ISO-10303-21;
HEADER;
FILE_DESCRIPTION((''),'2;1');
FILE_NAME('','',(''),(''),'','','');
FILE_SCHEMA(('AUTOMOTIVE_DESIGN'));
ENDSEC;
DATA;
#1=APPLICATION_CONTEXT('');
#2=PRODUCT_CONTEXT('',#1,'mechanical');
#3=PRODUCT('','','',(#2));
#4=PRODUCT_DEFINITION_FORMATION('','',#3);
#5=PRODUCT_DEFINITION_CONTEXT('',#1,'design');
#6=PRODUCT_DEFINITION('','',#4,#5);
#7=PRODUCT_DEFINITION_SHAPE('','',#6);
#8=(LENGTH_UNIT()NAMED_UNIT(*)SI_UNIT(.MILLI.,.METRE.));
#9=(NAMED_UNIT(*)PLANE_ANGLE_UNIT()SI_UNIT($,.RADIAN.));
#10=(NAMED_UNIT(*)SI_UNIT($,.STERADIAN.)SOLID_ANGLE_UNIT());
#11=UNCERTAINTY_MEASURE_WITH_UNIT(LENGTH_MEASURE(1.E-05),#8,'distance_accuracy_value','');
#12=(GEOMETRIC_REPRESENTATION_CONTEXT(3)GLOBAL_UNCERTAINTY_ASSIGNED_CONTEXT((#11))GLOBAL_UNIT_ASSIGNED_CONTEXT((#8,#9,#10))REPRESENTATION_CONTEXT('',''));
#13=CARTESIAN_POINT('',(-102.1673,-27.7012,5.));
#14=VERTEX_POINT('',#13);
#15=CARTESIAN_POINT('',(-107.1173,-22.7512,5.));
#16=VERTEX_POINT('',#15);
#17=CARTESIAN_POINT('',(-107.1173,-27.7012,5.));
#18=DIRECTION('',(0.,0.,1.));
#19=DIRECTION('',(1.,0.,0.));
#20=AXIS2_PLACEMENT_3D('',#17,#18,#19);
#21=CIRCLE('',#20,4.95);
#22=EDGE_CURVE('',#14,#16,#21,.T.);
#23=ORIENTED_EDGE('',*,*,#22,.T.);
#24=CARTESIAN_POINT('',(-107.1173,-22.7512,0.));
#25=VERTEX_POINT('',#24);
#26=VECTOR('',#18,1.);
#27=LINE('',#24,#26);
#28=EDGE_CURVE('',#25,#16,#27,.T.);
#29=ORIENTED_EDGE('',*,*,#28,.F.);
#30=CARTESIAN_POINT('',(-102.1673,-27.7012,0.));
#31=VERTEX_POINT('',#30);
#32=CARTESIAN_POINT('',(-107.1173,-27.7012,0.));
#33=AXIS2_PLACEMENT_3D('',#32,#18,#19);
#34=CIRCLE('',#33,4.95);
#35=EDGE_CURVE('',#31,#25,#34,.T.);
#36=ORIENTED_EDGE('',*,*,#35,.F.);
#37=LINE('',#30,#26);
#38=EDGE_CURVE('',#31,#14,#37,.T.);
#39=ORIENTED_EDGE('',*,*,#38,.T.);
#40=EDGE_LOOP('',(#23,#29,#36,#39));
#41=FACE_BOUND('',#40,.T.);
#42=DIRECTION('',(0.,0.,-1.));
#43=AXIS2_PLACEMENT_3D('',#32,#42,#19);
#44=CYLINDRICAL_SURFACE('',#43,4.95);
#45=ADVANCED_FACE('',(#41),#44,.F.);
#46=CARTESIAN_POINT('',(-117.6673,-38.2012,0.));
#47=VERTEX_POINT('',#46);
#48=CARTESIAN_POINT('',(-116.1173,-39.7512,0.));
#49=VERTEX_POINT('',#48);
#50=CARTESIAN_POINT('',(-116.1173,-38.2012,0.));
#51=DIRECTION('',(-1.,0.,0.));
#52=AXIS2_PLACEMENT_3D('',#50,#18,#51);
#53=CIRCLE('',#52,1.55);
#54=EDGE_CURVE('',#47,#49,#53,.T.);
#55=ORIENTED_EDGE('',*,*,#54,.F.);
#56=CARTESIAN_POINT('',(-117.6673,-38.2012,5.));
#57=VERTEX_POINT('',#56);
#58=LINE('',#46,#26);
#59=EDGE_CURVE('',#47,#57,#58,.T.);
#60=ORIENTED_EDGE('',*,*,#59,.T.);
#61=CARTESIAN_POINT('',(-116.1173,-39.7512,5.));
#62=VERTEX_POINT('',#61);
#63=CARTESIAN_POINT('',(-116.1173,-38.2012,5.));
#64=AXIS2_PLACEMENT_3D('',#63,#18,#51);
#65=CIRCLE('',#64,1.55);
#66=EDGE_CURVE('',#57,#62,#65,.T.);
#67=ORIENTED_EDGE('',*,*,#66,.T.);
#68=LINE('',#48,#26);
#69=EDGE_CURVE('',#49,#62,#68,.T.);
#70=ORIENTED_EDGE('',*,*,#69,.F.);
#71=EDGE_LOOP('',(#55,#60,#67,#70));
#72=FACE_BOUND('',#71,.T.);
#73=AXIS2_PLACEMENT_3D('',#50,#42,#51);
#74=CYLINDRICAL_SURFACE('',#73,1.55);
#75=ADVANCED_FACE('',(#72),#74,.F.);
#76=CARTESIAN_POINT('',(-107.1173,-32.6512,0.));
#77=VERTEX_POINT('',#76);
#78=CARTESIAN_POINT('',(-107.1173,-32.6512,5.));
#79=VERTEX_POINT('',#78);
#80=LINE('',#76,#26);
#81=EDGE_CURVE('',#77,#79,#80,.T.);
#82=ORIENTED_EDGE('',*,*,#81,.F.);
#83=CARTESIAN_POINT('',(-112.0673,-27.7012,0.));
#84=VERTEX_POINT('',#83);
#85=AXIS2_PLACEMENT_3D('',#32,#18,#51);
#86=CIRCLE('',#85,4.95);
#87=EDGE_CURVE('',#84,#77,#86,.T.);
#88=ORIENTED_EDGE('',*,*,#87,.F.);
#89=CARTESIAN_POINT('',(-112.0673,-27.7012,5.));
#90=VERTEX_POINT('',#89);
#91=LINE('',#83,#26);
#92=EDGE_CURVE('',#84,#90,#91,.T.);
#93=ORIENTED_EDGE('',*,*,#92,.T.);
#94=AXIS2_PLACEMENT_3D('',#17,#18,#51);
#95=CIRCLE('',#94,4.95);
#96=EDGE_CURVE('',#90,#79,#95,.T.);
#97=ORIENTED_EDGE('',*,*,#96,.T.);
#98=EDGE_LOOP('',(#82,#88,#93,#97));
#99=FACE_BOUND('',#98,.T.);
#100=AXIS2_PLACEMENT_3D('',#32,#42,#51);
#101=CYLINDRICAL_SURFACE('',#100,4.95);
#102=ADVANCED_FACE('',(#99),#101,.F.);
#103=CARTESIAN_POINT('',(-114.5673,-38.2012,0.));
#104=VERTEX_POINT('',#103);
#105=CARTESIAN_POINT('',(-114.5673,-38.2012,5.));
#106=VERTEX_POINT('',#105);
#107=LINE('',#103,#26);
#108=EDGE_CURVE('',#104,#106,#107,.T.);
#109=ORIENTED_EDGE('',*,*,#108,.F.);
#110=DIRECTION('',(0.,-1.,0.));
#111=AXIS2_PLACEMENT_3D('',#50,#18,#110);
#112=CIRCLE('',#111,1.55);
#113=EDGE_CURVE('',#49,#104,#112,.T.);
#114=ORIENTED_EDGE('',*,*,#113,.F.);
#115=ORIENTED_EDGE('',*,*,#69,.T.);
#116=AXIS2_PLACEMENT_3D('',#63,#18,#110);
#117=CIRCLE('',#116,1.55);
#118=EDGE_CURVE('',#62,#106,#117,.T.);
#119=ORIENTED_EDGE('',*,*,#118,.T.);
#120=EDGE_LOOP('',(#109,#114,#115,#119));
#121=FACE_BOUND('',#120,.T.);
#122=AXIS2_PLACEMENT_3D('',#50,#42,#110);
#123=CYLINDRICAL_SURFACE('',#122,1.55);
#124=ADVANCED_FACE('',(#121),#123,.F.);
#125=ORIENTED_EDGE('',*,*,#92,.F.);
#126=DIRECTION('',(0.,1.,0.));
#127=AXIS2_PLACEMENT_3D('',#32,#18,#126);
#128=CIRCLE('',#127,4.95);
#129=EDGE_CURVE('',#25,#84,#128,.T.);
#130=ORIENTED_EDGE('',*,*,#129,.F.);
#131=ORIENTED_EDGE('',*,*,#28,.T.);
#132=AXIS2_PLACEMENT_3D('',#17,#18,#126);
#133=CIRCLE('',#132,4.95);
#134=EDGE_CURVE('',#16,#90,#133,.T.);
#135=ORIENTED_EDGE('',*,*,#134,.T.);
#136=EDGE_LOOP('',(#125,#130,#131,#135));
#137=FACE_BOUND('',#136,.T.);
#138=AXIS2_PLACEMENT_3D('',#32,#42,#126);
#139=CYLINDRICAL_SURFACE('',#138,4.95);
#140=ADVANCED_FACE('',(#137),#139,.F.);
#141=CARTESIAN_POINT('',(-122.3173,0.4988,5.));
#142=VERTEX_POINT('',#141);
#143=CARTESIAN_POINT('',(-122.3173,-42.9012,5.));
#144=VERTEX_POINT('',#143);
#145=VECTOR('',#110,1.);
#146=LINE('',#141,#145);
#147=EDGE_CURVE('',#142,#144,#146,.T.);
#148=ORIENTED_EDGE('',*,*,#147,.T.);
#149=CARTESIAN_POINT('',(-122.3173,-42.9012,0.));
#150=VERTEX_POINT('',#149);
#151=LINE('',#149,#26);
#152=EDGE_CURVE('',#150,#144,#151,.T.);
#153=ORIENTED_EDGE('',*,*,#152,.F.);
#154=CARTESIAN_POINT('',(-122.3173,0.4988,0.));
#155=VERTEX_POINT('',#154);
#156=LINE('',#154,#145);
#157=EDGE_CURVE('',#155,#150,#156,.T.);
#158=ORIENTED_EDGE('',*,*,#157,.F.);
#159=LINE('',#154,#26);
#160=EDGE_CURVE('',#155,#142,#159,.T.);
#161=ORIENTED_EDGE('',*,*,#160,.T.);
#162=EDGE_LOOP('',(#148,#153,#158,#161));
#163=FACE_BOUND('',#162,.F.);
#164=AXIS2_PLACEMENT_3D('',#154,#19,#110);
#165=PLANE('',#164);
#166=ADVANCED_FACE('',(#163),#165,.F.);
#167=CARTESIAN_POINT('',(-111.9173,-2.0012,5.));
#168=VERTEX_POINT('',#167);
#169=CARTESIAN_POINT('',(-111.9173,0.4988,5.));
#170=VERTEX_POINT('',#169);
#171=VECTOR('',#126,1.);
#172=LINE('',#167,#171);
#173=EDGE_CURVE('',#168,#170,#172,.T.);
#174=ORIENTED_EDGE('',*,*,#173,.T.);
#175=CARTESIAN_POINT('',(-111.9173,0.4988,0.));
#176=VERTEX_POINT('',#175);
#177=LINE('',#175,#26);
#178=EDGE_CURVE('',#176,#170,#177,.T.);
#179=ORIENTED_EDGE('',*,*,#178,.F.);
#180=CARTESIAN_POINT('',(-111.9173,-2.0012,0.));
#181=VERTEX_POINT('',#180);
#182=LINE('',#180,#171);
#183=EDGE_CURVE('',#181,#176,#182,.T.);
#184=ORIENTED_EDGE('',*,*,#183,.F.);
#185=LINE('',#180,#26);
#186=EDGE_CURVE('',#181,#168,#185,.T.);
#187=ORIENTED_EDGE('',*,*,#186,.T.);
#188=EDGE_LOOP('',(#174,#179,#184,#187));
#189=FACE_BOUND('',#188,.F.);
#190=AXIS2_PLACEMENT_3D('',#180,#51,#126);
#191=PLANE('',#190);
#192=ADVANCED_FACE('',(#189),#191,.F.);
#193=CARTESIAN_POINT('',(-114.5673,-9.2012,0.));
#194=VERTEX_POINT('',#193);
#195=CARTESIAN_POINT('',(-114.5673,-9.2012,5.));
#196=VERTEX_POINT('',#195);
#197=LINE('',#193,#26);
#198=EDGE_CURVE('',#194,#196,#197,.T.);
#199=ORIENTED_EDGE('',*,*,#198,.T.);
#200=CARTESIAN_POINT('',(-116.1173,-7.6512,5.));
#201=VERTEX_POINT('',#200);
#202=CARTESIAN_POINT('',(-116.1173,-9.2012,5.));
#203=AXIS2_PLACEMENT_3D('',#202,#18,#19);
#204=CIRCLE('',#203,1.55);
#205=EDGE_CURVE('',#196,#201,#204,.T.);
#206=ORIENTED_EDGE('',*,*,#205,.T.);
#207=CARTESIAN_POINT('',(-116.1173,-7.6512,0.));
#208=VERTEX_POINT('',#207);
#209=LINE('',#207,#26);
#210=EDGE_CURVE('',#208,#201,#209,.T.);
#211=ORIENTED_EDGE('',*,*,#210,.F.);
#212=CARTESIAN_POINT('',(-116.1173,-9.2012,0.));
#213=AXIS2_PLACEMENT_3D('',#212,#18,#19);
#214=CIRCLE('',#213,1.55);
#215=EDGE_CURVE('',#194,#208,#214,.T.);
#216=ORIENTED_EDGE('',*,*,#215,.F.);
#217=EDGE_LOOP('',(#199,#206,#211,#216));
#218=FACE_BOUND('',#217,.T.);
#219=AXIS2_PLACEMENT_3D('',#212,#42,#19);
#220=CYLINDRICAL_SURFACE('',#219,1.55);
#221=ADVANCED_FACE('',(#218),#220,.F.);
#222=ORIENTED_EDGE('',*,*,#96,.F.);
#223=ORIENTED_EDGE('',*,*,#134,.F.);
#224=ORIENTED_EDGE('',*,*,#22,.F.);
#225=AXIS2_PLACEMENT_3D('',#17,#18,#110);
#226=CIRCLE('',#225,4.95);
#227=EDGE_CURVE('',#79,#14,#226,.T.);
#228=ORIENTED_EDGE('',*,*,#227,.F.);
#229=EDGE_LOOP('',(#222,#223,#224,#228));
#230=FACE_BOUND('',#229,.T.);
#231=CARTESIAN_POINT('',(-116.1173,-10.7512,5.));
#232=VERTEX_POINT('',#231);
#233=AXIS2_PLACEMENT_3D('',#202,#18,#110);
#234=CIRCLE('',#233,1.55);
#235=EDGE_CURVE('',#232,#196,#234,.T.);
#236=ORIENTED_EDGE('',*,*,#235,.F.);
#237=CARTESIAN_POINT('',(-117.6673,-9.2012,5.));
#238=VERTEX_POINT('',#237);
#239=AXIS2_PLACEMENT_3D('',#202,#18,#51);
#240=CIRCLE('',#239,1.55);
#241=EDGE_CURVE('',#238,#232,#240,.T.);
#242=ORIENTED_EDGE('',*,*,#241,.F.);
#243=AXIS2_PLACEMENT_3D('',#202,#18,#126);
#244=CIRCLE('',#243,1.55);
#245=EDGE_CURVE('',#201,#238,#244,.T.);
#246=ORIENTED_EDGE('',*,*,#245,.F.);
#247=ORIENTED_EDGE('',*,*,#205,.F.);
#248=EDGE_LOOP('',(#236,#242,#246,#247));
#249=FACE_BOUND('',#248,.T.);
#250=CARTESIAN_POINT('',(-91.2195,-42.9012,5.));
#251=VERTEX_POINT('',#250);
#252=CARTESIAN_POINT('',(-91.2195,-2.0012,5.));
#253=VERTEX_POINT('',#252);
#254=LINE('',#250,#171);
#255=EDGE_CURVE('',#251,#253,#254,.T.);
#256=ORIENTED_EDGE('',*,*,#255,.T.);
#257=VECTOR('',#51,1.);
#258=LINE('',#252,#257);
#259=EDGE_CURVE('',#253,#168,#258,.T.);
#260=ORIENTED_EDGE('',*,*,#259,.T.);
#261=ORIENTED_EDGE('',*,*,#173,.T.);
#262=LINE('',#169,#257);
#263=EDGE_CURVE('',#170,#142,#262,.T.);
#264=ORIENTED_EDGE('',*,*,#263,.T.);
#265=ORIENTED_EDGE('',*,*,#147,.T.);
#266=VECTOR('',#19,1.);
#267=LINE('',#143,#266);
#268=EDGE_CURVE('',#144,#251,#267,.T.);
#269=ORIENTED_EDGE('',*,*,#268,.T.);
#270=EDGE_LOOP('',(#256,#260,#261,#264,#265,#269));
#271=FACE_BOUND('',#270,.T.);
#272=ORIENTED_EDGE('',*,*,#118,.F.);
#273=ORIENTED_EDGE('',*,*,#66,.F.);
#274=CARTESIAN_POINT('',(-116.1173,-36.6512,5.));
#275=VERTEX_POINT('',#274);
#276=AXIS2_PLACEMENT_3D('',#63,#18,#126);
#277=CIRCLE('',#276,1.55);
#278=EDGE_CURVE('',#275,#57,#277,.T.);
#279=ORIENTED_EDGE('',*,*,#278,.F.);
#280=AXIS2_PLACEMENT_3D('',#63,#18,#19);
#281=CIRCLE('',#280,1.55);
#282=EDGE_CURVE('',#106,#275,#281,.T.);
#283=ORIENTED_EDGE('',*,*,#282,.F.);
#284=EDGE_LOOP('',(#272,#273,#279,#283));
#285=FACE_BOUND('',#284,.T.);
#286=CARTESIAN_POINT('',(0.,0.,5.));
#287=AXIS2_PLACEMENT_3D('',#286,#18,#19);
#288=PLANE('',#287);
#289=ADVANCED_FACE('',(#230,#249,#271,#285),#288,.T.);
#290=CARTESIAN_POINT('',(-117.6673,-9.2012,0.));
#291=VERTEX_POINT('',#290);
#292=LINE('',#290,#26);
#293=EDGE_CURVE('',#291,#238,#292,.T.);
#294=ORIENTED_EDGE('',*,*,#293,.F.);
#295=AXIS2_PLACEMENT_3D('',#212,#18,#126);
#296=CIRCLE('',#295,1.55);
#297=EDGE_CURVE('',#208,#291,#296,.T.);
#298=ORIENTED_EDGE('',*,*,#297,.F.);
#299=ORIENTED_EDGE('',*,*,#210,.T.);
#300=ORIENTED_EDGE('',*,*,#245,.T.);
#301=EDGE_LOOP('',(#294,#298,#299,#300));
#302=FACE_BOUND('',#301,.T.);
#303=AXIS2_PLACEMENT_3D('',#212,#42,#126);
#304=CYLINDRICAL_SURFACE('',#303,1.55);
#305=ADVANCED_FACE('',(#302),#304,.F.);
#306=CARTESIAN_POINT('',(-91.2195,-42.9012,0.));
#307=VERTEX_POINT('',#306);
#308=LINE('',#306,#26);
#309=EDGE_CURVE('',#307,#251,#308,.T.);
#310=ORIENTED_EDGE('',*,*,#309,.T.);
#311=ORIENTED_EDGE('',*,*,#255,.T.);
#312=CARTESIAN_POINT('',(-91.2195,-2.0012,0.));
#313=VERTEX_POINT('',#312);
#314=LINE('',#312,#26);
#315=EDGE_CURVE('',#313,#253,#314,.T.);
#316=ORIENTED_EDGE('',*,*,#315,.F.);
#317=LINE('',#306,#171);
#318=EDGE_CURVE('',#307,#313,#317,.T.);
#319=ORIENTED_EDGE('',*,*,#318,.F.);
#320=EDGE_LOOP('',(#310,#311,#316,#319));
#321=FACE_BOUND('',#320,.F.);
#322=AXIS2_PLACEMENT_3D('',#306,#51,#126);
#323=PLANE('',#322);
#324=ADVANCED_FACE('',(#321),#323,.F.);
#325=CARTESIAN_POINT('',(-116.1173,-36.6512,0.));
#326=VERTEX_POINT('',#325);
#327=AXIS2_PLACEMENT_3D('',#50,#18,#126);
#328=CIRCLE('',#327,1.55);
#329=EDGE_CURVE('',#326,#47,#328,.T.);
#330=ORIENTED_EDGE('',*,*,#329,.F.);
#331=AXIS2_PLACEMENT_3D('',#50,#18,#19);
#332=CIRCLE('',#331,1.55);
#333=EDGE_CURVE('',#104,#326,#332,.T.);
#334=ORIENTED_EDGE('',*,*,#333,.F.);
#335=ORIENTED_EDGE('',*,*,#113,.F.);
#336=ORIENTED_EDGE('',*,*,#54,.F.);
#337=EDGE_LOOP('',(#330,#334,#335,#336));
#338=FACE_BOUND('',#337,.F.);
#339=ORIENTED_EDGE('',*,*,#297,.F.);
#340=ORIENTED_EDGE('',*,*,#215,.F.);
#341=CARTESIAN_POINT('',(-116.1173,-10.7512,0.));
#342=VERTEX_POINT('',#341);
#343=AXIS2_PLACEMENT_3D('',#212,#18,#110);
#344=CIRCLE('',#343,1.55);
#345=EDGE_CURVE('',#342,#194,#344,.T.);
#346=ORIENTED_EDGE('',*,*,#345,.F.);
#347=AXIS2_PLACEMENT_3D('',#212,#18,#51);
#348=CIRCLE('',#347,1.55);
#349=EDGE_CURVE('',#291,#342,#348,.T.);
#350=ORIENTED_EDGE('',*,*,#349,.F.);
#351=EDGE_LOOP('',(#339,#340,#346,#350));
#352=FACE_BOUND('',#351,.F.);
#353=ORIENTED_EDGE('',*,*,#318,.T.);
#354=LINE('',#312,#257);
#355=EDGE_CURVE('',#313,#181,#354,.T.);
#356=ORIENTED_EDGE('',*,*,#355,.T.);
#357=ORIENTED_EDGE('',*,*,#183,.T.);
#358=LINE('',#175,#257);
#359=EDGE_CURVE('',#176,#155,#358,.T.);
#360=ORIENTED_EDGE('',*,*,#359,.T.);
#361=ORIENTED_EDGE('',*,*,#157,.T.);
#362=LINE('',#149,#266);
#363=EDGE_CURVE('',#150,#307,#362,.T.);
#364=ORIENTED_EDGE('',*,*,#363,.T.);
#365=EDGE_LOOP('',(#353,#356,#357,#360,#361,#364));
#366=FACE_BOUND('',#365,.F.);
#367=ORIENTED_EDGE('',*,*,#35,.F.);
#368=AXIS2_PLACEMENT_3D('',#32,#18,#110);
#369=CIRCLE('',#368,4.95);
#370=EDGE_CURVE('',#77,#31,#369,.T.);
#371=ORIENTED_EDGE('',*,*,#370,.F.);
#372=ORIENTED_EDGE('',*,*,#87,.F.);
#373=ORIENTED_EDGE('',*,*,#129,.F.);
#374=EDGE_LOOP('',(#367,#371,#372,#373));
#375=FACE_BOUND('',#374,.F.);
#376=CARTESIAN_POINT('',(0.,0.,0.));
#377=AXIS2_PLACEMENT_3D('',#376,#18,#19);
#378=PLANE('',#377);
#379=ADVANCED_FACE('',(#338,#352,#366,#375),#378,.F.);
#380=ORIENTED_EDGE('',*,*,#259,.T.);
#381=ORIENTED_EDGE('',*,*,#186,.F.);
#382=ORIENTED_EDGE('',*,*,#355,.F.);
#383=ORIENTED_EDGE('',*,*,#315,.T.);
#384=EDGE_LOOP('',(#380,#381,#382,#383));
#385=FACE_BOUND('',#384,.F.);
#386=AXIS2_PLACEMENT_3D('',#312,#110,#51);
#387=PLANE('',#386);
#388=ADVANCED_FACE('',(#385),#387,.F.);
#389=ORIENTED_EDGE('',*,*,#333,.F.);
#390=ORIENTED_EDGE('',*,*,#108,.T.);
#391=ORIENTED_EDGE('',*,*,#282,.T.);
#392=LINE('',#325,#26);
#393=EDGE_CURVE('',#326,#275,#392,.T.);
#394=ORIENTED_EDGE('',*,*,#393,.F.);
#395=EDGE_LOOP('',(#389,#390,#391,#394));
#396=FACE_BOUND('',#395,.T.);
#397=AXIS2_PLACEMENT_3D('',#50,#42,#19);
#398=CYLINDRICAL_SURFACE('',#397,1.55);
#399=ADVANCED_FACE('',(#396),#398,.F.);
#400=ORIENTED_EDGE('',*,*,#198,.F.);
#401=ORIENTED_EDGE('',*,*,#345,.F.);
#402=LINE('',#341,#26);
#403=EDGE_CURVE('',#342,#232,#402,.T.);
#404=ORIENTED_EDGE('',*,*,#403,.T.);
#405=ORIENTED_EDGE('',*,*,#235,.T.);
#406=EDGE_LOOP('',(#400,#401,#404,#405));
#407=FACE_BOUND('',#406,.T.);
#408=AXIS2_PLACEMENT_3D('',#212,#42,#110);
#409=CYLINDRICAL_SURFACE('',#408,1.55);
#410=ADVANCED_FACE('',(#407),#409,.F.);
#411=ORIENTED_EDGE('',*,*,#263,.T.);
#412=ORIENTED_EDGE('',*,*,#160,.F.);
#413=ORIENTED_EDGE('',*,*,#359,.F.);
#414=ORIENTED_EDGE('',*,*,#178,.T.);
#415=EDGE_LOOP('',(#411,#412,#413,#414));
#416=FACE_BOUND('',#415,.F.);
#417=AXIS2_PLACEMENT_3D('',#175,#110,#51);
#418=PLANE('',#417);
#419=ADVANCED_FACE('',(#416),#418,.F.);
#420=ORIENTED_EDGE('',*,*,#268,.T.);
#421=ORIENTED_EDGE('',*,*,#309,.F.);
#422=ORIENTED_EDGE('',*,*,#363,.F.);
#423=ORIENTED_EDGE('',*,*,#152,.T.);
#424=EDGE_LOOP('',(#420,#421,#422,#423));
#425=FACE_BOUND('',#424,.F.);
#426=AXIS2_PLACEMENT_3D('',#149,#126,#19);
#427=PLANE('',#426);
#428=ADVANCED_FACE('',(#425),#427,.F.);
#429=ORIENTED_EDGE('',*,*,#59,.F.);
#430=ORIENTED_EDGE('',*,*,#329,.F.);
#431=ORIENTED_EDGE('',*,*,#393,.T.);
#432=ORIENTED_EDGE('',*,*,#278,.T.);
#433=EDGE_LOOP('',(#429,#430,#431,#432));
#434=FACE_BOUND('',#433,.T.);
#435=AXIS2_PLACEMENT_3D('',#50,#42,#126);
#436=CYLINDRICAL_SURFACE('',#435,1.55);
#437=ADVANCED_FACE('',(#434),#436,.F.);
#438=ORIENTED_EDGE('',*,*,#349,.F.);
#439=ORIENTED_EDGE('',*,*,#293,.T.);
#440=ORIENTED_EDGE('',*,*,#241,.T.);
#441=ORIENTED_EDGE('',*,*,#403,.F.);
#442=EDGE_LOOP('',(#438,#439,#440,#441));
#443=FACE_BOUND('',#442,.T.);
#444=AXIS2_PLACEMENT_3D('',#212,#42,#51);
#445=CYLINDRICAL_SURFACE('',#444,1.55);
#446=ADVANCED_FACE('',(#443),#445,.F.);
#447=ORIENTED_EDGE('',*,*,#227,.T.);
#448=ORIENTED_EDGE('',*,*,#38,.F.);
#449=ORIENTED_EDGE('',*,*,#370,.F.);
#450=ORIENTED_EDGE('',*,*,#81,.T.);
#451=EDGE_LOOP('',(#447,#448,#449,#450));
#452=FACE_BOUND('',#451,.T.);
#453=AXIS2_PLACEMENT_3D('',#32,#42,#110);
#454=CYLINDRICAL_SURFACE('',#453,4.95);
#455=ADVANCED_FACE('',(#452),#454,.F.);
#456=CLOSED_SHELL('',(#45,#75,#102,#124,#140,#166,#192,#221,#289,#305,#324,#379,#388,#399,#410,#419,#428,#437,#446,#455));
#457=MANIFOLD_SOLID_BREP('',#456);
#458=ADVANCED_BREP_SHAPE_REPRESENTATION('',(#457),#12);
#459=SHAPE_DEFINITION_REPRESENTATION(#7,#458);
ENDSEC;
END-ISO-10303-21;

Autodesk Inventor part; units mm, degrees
ref_plane "YZ Plane" through (0, 0, 0) normal (1, 0, 0) x (0, 1, 0)
ref_plane "XZ Plane" through (0, 0, 0) normal (0, 1, 0) x (-1, 0, 0)
ref_plane "XY Plane" through (0, 0, 0) normal (0, 0, 1) x (1, 0, 0)
sketch "Boceto1" plane through (0, 0, 0) normal (0, 0, 1) x (1, 0, 0)
  arc A0 (-116.1173, -7.6512) -> (-117.6673, -9.2012) centre (-116.1173, -9.2012) ccw
  arc A1 (-117.6673, -9.2012) -> (-116.1173, -10.7512) centre (-116.1173, -9.2012) ccw
  arc A2 (-116.1173, -10.7512) -> (-114.5673, -9.2012) centre (-116.1173, -9.2012) ccw
  arc A3 (-114.5673, -9.2012) -> (-116.1173, -7.6512) centre (-116.1173, -9.2012) ccw
  arc A4 (-116.1173, -36.6512) -> (-117.6673, -38.2012) centre (-116.1173, -38.2012) ccw
  arc A5 (-117.6673, -38.2012) -> (-116.1173, -39.7512) centre (-116.1173, -38.2012) ccw
  arc A6 (-116.1173, -39.7512) -> (-114.5673, -38.2012) centre (-116.1173, -38.2012) ccw
  arc A7 (-114.5673, -38.2012) -> (-116.1173, -36.6512) centre (-116.1173, -38.2012) ccw
  arc A8 (-107.1173, -22.7512) -> (-112.0673, -27.7012) centre (-107.1173, -27.7012) ccw
  arc A9 (-112.0673, -27.7012) -> (-107.1173, -32.6512) centre (-107.1173, -27.7012) ccw
  arc A10 (-107.1173, -32.6512) -> (-102.1673, -27.7012) centre (-107.1173, -27.7012) ccw
  arc A11 (-102.1673, -27.7012) -> (-107.1173, -22.7512) centre (-107.1173, -27.7012) ccw
  line L0 (-91.2195, -2.0012) -> (-111.9173, -2.0012)
  line L1 (-111.9173, -2.0012) -> (-111.9173, 0.4988)
  line L2 (-111.9173, 0.4988) -> (-122.3173, 0.4988)
  line L3 (-122.3173, 0.4988) -> (-122.3173, -42.9012)
  line L4 (-122.3173, -42.9012) -> (-91.2195, -42.9012)
  line L5 (-91.2195, -42.9012) -> (-91.2195, -2.0012)
  point P0 (0, 0)
extrude "Extrusión1" add sketch "Boceto1" along normal blind 5
properties part number "carro x lado motor pieza 2parte 2-3"
